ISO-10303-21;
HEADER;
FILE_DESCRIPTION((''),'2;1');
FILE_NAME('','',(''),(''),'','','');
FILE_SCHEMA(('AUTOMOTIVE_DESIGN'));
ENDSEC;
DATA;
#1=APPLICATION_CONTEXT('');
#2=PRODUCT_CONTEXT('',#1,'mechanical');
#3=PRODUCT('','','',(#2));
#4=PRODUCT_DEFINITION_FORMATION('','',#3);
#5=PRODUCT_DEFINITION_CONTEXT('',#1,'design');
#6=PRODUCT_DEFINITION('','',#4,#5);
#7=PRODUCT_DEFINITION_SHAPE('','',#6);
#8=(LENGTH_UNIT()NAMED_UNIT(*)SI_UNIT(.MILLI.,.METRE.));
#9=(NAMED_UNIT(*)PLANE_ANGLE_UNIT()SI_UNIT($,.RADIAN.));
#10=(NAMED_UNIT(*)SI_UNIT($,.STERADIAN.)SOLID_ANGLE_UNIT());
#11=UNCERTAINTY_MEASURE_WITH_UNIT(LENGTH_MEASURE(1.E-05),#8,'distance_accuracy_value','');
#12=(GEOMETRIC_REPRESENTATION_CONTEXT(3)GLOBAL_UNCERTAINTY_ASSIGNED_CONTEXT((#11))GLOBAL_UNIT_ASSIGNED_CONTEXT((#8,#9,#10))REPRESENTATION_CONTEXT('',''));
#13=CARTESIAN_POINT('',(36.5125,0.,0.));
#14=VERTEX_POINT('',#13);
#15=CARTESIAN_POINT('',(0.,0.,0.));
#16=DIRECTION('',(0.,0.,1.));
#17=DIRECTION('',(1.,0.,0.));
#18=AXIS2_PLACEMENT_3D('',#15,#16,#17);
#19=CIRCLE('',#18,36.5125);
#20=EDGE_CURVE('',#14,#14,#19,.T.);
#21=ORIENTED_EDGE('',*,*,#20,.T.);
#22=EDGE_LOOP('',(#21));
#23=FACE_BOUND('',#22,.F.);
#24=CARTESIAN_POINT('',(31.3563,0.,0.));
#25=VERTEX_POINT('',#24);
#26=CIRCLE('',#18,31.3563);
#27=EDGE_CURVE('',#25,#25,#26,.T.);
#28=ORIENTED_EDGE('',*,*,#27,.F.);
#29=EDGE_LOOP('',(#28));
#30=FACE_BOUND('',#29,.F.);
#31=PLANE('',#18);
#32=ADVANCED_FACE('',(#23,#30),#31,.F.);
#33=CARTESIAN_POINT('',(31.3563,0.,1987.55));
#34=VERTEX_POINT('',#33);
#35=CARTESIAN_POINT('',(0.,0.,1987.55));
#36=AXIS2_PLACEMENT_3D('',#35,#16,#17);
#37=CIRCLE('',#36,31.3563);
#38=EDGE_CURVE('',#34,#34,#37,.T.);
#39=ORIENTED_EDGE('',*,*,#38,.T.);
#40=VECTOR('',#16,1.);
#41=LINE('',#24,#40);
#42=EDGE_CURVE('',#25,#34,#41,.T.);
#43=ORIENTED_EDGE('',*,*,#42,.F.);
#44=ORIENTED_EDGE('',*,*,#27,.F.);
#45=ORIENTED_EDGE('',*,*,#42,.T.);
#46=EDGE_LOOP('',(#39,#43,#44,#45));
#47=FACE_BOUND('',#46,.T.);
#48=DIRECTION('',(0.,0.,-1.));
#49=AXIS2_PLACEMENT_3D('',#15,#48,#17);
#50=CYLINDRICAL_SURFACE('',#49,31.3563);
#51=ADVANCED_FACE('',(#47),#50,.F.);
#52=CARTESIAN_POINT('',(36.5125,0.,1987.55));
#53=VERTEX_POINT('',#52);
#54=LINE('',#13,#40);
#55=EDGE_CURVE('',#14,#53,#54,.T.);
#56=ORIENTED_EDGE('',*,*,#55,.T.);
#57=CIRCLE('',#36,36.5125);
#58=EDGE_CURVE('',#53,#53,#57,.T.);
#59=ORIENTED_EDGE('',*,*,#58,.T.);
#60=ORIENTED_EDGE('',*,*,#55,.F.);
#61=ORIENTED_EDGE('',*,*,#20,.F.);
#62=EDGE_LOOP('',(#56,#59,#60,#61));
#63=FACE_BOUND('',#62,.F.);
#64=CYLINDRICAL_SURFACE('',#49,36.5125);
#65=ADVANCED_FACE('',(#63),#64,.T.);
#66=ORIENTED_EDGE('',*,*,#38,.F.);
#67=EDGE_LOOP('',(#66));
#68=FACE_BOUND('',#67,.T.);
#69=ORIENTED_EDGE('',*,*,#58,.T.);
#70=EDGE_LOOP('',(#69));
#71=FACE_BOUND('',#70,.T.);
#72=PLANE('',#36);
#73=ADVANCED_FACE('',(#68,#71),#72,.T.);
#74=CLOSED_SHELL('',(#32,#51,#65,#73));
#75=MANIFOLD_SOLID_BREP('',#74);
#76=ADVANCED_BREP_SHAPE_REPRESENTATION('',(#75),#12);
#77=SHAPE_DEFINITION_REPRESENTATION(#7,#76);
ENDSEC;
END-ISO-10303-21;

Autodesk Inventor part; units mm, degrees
ref_plane "YZ Plane" through (0, 0, 0) normal (1, 0, 0) x (0, 1, 0)
ref_plane "XZ Plane" through (0, 0, 0) normal (0, 1, 0) x (-1, 0, 0)
ref_plane "XY Plane" through (0, 0, 0) normal (0, 0, 1) x (1, 0, 0)
sketch "Sketch1" plane through (0, 0, 0) normal (0, 0, 1) x (1, 0, 0)
  circle A0 centre (0, 0) radius 36.5125
  circle A1 centre (0, 0) radius 31.3563
  dimension "d0" = 73.025
  dimension "d1" = 62.7126
extrude "Extrusion1" add sketch "Sketch1" along normal blind 1987.55
properties part number "A1-18002-100-21 2.25in x 7ft bar tube" material "PVC-Piping"
